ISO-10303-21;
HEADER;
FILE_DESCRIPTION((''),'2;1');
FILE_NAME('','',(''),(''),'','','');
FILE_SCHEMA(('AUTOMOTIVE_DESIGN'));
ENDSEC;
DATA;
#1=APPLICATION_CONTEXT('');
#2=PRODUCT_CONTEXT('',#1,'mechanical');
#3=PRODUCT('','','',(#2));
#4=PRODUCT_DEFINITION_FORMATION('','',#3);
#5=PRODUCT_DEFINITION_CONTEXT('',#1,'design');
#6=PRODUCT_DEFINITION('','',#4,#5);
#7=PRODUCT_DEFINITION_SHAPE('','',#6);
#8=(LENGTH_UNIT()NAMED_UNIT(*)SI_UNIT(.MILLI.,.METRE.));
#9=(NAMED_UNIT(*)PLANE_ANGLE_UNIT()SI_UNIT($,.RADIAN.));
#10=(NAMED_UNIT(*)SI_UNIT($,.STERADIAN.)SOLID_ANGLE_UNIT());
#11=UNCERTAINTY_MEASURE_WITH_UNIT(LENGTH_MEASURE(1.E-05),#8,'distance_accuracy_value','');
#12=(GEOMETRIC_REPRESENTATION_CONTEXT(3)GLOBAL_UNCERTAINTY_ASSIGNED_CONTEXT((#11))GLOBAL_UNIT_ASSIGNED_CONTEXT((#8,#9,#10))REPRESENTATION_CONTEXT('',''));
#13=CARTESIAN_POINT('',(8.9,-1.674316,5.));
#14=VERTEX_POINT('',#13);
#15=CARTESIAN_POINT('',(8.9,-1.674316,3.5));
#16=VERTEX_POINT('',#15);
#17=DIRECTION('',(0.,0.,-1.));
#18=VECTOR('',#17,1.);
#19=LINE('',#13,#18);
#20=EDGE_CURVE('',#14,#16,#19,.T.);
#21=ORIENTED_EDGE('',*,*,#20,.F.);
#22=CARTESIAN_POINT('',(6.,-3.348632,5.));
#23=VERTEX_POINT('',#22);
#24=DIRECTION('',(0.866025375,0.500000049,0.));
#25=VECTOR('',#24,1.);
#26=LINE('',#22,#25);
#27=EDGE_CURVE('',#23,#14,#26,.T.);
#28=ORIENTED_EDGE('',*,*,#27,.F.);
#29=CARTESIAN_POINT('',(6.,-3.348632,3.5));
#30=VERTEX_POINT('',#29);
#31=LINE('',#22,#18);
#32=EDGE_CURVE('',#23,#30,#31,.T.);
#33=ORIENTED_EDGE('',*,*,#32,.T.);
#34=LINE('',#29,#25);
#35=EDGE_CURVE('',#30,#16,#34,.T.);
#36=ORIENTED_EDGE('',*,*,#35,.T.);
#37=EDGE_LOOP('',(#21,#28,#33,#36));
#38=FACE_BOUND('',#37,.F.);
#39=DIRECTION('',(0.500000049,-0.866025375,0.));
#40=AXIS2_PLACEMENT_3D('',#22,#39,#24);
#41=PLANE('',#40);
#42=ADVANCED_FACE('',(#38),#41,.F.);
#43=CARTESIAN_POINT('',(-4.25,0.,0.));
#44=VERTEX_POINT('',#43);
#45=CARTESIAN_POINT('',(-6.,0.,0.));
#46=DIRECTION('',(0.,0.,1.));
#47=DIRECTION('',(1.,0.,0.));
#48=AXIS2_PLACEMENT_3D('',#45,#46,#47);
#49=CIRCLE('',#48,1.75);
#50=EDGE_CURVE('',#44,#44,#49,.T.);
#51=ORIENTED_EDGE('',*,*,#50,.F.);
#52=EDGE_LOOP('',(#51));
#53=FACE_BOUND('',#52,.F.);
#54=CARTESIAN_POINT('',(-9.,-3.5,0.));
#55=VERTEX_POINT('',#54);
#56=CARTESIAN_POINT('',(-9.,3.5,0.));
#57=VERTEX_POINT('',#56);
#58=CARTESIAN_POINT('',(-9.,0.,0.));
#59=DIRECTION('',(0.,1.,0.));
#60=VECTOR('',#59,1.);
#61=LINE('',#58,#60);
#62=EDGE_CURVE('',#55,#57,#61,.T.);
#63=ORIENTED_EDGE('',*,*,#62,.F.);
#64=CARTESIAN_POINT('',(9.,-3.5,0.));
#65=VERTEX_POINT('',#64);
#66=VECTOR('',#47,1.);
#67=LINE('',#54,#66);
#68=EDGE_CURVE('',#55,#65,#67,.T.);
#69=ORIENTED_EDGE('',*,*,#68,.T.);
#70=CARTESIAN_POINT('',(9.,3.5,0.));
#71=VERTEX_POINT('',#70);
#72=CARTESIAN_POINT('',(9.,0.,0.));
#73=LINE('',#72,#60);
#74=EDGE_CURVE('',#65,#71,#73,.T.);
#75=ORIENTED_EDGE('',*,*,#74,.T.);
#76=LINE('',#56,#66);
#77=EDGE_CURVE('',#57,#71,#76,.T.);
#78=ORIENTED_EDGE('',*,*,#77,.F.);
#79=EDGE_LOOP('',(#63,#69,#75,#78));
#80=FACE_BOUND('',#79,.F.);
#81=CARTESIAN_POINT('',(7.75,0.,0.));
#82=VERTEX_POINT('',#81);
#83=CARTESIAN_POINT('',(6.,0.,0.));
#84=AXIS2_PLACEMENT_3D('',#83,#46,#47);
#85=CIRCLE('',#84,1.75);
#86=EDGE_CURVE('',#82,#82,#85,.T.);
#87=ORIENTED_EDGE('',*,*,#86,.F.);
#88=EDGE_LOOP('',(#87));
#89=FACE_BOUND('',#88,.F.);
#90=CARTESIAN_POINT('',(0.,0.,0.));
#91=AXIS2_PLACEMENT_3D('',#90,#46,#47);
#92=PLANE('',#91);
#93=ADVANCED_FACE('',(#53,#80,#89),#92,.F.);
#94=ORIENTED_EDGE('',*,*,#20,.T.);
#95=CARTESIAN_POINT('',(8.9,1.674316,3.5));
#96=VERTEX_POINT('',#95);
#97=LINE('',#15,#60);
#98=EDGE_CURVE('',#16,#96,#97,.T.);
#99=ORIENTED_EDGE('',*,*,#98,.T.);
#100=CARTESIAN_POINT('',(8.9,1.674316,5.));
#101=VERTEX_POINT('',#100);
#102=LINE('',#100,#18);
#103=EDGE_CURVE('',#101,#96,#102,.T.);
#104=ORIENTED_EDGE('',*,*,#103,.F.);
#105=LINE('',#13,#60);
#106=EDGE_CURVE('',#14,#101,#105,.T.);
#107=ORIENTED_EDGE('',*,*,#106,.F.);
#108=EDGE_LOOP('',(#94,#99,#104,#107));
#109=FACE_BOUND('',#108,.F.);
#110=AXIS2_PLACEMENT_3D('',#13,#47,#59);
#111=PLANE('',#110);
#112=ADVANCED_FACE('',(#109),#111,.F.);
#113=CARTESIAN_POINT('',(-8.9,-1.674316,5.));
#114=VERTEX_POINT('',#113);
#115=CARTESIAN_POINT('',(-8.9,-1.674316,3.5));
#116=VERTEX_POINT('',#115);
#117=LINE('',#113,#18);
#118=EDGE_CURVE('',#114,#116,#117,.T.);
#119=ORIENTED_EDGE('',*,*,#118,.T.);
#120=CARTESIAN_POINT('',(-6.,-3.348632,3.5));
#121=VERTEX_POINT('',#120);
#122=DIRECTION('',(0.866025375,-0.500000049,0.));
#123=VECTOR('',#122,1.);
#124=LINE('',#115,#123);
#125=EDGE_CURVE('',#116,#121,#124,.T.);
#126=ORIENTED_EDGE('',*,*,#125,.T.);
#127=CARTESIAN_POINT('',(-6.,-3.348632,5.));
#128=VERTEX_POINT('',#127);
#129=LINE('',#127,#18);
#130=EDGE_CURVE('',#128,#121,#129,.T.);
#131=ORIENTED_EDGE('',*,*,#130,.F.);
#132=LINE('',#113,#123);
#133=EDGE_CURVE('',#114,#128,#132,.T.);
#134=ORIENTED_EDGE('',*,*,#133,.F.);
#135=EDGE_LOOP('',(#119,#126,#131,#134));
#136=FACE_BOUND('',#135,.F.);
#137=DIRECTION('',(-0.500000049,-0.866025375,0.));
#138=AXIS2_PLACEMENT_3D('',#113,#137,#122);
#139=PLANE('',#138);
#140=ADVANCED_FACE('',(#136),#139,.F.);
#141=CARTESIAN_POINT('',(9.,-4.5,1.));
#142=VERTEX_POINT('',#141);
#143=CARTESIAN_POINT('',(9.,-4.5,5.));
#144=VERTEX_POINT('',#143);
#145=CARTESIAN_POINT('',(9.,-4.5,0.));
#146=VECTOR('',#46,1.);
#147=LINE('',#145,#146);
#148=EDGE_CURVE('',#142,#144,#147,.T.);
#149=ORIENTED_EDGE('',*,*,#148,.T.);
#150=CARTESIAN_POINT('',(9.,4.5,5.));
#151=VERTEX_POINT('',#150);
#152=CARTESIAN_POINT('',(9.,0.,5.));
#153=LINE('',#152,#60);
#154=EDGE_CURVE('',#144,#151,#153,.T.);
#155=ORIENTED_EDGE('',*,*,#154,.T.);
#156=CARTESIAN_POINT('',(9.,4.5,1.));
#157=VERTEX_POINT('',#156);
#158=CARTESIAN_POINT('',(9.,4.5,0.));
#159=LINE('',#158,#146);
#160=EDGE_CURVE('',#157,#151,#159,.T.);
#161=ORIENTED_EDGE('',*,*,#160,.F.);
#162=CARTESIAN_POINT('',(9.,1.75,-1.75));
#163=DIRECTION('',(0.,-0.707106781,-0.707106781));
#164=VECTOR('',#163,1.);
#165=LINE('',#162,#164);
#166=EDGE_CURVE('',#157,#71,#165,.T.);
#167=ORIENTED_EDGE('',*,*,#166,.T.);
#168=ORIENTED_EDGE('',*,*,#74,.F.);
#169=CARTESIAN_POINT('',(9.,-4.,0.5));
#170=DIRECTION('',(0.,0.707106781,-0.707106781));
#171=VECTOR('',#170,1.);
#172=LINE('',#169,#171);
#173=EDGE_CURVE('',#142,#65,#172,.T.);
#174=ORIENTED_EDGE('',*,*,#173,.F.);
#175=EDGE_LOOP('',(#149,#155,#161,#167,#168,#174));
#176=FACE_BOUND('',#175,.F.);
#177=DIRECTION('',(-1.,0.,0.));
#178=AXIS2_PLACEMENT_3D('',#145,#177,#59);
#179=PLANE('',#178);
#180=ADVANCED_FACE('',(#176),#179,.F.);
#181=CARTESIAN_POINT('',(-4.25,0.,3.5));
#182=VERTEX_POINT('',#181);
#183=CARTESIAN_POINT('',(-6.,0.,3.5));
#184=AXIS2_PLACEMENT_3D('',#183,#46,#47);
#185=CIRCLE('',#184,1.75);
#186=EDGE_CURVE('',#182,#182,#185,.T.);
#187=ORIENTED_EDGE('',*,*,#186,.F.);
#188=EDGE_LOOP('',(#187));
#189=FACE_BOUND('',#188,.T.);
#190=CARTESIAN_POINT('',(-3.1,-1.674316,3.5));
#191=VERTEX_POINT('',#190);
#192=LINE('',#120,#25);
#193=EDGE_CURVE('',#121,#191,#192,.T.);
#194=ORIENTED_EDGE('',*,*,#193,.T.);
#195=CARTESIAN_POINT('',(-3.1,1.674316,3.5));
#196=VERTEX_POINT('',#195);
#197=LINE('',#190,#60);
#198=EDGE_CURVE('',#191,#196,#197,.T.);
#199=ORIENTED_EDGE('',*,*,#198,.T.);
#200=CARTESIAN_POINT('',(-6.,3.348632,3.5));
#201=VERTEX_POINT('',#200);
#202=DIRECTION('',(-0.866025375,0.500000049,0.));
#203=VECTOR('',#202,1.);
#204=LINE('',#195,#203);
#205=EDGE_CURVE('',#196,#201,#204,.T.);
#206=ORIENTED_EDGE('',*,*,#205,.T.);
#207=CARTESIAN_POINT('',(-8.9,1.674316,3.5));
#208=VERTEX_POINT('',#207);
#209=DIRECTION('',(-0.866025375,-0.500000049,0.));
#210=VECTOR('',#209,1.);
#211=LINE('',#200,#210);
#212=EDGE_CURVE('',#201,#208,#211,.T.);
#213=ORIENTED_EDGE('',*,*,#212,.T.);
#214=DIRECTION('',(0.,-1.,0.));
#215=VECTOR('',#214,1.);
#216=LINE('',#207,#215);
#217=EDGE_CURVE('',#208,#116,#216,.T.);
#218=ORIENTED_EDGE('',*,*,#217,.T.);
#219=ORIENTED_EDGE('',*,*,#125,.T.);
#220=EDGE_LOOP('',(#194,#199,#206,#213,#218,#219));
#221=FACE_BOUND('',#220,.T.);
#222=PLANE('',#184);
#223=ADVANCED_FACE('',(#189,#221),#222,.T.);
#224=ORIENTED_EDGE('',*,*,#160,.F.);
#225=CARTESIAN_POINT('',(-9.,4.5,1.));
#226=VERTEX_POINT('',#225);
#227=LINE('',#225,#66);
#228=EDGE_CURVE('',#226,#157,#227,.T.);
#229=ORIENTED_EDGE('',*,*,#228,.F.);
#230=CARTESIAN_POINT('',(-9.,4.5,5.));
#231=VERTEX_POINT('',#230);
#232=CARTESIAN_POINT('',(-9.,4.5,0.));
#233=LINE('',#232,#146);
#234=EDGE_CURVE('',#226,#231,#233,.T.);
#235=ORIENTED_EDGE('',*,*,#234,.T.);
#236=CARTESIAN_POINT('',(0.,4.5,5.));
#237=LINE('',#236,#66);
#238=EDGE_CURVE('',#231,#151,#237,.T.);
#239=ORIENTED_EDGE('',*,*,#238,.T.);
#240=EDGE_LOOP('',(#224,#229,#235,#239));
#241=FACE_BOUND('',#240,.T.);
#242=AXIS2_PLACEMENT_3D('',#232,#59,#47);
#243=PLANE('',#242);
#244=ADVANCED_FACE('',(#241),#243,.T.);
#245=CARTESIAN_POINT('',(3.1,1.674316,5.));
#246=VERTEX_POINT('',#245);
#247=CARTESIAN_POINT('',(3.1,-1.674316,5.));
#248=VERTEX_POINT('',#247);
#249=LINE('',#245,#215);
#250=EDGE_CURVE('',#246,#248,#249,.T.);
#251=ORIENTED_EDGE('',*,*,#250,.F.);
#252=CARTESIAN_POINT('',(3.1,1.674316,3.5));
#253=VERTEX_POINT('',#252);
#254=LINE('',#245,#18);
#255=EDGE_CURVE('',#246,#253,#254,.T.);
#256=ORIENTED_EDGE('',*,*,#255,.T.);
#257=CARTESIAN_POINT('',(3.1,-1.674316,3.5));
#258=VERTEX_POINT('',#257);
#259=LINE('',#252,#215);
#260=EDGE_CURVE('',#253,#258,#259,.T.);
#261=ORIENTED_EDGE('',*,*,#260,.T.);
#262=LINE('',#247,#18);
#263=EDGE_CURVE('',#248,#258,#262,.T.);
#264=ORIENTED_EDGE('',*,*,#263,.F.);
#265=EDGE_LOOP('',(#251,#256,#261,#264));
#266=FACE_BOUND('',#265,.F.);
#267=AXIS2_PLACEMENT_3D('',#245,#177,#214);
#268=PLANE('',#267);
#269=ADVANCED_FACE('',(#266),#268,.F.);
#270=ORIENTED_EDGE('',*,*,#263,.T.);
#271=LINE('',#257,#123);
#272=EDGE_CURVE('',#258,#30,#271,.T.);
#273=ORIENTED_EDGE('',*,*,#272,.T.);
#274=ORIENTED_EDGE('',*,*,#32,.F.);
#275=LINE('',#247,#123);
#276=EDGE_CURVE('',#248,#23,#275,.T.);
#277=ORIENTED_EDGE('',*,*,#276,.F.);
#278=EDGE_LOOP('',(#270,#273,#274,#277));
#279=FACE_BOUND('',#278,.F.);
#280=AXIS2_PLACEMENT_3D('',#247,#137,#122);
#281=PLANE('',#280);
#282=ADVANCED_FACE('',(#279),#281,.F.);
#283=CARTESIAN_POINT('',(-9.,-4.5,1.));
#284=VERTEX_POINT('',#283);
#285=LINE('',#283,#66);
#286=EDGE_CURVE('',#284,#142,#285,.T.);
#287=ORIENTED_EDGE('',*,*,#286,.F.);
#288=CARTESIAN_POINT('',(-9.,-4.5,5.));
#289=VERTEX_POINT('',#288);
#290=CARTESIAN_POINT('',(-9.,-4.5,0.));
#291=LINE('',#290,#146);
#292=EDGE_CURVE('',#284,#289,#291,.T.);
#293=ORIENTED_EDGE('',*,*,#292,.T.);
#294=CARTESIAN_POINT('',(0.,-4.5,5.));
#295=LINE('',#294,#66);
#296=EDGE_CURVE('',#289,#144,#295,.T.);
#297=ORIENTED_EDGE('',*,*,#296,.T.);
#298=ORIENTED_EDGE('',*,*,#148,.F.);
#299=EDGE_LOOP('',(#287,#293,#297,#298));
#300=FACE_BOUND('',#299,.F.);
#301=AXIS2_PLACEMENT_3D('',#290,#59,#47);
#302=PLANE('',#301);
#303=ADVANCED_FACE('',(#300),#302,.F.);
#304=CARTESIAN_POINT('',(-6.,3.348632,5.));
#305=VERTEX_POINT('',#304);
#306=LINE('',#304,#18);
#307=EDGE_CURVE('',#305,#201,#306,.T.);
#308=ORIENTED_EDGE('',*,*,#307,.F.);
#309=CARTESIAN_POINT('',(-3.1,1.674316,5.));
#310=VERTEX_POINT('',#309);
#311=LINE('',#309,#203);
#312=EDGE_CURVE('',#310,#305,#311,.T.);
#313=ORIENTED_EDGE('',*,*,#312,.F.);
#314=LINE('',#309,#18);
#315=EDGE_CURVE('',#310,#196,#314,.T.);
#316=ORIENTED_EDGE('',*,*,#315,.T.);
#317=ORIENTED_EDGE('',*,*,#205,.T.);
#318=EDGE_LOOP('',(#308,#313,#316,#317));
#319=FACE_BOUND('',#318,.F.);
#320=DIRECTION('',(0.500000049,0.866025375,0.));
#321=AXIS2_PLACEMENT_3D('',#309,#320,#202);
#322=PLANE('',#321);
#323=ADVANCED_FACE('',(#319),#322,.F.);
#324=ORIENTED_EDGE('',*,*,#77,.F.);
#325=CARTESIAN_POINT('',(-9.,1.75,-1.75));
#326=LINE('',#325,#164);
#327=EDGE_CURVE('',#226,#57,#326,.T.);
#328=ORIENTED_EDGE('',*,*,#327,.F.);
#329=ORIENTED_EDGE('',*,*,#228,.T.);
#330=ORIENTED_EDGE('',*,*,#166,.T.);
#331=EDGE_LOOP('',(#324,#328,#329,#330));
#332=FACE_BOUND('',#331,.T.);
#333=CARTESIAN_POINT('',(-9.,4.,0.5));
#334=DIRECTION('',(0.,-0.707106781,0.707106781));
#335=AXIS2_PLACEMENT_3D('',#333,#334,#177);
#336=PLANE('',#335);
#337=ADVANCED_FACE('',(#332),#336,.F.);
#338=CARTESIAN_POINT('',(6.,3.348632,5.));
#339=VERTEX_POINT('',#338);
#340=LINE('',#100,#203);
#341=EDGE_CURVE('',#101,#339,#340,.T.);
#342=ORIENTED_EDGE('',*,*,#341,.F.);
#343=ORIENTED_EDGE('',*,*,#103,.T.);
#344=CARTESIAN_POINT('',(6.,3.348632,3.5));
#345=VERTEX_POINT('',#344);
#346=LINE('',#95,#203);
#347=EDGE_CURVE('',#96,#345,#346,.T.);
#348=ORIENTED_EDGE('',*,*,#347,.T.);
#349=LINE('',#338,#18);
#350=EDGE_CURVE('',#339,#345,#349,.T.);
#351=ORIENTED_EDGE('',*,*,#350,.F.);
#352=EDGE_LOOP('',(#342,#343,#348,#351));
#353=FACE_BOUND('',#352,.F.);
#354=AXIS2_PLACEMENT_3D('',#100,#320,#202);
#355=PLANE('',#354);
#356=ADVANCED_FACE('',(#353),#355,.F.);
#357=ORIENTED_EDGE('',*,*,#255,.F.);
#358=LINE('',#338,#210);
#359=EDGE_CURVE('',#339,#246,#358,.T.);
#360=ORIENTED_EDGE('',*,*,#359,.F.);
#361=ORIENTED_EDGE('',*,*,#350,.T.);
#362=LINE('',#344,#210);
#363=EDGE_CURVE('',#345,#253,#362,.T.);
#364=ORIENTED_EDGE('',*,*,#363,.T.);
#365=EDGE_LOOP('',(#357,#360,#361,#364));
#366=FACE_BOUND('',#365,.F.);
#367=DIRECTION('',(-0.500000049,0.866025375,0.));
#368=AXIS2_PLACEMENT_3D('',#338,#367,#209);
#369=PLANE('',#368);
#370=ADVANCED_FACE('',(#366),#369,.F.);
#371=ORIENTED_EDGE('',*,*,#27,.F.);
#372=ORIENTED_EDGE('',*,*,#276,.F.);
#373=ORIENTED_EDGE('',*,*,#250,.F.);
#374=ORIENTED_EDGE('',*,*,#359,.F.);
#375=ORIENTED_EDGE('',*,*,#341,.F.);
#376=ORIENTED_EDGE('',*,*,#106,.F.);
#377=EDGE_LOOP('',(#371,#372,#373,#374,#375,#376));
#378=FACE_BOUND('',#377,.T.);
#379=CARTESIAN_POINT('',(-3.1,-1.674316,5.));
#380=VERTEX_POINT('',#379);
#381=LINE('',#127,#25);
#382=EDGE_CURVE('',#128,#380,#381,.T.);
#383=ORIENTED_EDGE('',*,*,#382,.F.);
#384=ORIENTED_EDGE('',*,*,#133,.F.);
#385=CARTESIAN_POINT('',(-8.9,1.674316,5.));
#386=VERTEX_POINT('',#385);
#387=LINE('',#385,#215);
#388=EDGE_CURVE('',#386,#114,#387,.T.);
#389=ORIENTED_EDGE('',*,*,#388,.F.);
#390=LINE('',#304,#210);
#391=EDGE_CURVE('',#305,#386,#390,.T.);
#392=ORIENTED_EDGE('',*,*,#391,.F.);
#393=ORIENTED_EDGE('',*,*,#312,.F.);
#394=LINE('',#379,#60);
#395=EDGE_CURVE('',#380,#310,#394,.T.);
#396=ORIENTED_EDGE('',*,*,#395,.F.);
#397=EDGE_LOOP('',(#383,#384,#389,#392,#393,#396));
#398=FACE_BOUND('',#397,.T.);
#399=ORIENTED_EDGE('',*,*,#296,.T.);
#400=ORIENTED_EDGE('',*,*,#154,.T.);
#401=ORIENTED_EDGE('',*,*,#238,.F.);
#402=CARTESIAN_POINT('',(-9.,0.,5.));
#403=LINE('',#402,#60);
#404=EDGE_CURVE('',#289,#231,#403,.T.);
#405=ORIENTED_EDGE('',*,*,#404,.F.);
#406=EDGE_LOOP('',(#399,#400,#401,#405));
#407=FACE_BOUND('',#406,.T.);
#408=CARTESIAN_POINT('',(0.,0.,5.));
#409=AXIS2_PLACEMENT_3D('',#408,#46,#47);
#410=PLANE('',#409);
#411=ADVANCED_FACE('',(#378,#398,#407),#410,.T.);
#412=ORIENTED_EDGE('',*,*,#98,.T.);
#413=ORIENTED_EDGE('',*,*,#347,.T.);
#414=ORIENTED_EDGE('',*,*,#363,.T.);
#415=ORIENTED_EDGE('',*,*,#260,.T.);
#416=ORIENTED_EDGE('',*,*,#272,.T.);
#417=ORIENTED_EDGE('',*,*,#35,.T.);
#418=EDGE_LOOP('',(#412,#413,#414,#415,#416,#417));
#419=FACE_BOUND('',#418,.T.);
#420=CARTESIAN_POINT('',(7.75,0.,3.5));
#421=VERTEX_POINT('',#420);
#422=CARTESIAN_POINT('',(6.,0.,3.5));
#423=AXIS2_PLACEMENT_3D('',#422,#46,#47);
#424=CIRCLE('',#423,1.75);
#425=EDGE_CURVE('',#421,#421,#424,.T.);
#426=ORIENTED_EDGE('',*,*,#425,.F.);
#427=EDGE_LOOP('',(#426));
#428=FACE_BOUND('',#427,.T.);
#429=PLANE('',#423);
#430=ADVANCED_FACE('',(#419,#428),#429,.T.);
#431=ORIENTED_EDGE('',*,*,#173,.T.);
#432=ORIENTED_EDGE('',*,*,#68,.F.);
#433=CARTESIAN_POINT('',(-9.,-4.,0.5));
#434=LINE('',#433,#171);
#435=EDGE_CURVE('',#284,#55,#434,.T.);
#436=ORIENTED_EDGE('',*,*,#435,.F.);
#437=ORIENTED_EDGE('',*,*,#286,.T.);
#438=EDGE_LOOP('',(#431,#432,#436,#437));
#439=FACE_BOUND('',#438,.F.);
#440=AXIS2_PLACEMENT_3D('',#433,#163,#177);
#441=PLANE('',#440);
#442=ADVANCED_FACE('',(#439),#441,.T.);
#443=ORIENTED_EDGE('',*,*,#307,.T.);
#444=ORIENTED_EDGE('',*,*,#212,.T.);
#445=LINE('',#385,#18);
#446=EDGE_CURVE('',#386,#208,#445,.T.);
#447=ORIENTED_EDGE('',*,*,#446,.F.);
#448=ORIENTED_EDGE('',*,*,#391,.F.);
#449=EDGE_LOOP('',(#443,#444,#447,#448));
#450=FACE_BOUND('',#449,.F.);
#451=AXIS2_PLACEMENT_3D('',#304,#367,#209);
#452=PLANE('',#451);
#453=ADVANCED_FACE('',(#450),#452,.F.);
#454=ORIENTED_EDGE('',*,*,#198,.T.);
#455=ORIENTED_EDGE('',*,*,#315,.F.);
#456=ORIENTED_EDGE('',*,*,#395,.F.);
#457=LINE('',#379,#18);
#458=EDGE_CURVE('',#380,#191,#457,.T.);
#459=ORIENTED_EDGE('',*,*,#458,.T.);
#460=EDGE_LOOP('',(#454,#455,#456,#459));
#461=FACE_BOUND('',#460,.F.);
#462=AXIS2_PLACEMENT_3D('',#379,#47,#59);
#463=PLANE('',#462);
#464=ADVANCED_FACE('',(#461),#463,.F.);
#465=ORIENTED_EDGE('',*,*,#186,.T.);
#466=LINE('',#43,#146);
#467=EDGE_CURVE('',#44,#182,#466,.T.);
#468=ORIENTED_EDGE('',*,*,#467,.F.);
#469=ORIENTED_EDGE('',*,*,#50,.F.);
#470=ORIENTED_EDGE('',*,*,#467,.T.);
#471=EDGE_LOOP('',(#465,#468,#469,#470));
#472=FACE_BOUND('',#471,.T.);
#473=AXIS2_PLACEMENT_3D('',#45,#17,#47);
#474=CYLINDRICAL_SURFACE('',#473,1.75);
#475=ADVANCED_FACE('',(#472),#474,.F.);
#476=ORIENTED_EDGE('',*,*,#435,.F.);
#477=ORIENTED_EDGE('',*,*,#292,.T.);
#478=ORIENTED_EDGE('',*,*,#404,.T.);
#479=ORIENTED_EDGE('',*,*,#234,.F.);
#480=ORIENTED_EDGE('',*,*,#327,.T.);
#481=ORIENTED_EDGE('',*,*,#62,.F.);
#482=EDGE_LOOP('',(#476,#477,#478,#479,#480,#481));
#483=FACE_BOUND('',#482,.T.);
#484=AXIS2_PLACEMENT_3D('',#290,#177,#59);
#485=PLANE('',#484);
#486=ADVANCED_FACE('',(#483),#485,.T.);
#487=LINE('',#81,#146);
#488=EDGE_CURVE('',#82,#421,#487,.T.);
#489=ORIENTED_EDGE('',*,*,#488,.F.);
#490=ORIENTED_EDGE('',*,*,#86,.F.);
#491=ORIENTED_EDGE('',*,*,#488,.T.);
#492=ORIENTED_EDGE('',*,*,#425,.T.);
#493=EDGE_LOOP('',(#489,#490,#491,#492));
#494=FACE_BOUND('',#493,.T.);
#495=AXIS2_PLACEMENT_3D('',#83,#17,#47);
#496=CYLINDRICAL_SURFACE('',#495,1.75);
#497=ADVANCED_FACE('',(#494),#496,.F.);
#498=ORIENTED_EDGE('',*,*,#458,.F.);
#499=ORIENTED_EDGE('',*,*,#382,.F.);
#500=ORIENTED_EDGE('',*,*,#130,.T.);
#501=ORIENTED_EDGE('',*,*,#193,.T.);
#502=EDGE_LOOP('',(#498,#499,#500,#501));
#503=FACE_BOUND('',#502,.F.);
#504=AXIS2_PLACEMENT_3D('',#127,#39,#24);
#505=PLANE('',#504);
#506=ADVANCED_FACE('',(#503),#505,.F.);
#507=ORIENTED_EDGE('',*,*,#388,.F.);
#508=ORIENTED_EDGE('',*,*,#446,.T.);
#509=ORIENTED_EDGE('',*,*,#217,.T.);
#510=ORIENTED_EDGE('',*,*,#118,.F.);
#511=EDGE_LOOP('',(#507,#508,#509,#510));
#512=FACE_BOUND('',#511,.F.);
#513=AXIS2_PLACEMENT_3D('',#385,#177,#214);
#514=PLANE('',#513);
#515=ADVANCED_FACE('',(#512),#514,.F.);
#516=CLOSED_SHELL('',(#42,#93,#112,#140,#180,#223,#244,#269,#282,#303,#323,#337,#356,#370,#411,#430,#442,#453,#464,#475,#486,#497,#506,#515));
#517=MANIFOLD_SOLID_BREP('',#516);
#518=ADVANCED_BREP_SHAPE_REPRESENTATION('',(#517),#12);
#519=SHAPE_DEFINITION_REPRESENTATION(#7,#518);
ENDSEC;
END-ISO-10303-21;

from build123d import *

# Parameters (mm, degrees)
F0_W     = 18
F0_H     = 9
F0_R     = 1.75
F1_DEPTH = 5
F2_R     = 1.75
F3_DEPTH = 1.5
F4_SIZE  = 1


with BuildPart() as f1:
    # F0 (on Top) → F1 (new body)
    with BuildSketch(Plane.XY):
        Rectangle(F0_W, F0_H)
        with Locations((-6, 0)):
            Circle(F0_R, mode=Mode.SUBTRACT)
        with Locations((6, 0)):
            Circle(F0_R, mode=Mode.SUBTRACT)
    extrude(amount=F1_DEPTH)

    # F2 (on face) → F3 (cut)
    with BuildSketch(Plane.XY.offset(5)):
        Polygon((-8.9, 1.674316), (-8.9, -1.674316), (-6, -3.348632), (-3.1, -1.674316), (-3.1, 1.674316), (-6, 3.348632), align=None)
        with Locations((-6, 0)):
            Circle(F2_R, mode=Mode.SUBTRACT)
        Polygon((3.1, 1.674316), (3.1, -1.674316), (6, -3.348632), (8.9, -1.674316), (8.9, 1.674316), (6, 3.348632), align=None)
        with Locations((6, 0)):
            Circle(F2_R, mode=Mode.SUBTRACT)
    extrude(amount=-F3_DEPTH, mode=Mode.SUBTRACT)

    # F4
    f4_edges = [f1.edges().sort_by_distance(p)[0] for p in [
        (0, -4.5, 0),
        (0, 4.5, 0),
    ]]
    chamfer(f4_edges, length=F4_SIZE)


solid = f1.part
